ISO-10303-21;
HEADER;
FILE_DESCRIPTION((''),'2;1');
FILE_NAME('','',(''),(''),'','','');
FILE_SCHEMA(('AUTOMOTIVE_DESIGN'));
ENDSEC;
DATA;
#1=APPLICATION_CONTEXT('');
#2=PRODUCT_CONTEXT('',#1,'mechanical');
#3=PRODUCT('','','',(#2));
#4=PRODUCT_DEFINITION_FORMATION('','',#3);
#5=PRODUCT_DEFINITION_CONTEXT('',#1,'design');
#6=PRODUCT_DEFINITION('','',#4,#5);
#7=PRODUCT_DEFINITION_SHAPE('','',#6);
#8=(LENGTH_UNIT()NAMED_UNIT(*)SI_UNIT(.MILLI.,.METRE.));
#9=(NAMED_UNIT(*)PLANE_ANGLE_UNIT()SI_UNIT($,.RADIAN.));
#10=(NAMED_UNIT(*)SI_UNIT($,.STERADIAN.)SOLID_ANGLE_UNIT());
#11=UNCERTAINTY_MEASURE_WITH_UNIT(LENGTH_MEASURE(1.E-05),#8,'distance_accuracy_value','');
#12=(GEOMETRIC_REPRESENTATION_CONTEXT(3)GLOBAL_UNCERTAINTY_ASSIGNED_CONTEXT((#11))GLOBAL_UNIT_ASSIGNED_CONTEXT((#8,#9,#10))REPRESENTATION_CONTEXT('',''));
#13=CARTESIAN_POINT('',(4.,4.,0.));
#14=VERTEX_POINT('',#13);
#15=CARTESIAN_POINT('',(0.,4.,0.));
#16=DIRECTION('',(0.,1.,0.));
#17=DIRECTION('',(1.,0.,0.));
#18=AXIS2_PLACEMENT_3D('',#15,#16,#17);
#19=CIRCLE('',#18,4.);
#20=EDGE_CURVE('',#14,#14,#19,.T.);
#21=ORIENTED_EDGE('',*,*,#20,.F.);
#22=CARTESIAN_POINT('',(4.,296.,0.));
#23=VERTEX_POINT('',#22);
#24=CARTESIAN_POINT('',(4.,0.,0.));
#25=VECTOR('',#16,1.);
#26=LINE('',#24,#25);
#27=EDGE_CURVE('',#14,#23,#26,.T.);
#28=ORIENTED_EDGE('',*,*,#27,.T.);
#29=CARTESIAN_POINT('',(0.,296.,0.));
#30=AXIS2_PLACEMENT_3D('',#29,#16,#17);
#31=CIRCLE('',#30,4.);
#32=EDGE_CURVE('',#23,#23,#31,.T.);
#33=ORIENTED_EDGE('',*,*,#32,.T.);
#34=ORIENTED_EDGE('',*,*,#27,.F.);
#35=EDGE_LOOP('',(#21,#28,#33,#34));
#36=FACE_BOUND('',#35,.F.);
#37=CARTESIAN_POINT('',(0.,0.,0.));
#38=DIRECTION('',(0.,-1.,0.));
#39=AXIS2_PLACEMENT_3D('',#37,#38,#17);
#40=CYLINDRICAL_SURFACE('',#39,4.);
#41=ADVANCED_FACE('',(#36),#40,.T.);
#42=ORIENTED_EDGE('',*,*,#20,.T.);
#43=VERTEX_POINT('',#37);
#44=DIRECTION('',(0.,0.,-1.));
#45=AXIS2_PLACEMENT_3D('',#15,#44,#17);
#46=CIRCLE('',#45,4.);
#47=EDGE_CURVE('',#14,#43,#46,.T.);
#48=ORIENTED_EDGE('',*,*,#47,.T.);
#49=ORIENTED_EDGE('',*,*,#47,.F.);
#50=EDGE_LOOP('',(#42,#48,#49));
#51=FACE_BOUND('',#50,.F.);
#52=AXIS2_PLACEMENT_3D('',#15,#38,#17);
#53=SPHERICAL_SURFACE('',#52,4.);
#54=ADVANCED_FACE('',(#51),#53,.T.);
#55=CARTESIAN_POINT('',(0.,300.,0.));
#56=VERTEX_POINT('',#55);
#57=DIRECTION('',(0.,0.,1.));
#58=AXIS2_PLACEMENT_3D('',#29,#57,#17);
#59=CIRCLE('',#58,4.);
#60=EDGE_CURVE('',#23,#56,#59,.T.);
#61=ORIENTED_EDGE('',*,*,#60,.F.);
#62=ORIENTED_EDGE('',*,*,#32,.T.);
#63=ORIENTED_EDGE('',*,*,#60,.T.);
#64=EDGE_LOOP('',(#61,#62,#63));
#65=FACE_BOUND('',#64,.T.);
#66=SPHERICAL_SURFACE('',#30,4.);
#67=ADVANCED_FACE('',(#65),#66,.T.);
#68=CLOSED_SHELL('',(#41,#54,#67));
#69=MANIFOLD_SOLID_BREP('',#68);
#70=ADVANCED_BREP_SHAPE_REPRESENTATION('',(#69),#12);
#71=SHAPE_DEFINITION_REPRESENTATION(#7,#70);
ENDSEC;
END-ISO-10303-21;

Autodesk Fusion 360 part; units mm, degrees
sketch "Skizze1" plane through (0, 0, 0) normal (0, 1, 0) x (1, 0, 0)
  circle A0 centre (0, 0) radius 4
  dimension "d1" = 8
extrude "Extrusion1" add sketch "Skizze1" along normal blind 300
fillet "Abrundung1" radius 4 1 edges at (-3.7293, 0, 1.4465)
fillet "Abrundung2" radius 4 1 edges at (-3.7293, 300, 1.4465)
